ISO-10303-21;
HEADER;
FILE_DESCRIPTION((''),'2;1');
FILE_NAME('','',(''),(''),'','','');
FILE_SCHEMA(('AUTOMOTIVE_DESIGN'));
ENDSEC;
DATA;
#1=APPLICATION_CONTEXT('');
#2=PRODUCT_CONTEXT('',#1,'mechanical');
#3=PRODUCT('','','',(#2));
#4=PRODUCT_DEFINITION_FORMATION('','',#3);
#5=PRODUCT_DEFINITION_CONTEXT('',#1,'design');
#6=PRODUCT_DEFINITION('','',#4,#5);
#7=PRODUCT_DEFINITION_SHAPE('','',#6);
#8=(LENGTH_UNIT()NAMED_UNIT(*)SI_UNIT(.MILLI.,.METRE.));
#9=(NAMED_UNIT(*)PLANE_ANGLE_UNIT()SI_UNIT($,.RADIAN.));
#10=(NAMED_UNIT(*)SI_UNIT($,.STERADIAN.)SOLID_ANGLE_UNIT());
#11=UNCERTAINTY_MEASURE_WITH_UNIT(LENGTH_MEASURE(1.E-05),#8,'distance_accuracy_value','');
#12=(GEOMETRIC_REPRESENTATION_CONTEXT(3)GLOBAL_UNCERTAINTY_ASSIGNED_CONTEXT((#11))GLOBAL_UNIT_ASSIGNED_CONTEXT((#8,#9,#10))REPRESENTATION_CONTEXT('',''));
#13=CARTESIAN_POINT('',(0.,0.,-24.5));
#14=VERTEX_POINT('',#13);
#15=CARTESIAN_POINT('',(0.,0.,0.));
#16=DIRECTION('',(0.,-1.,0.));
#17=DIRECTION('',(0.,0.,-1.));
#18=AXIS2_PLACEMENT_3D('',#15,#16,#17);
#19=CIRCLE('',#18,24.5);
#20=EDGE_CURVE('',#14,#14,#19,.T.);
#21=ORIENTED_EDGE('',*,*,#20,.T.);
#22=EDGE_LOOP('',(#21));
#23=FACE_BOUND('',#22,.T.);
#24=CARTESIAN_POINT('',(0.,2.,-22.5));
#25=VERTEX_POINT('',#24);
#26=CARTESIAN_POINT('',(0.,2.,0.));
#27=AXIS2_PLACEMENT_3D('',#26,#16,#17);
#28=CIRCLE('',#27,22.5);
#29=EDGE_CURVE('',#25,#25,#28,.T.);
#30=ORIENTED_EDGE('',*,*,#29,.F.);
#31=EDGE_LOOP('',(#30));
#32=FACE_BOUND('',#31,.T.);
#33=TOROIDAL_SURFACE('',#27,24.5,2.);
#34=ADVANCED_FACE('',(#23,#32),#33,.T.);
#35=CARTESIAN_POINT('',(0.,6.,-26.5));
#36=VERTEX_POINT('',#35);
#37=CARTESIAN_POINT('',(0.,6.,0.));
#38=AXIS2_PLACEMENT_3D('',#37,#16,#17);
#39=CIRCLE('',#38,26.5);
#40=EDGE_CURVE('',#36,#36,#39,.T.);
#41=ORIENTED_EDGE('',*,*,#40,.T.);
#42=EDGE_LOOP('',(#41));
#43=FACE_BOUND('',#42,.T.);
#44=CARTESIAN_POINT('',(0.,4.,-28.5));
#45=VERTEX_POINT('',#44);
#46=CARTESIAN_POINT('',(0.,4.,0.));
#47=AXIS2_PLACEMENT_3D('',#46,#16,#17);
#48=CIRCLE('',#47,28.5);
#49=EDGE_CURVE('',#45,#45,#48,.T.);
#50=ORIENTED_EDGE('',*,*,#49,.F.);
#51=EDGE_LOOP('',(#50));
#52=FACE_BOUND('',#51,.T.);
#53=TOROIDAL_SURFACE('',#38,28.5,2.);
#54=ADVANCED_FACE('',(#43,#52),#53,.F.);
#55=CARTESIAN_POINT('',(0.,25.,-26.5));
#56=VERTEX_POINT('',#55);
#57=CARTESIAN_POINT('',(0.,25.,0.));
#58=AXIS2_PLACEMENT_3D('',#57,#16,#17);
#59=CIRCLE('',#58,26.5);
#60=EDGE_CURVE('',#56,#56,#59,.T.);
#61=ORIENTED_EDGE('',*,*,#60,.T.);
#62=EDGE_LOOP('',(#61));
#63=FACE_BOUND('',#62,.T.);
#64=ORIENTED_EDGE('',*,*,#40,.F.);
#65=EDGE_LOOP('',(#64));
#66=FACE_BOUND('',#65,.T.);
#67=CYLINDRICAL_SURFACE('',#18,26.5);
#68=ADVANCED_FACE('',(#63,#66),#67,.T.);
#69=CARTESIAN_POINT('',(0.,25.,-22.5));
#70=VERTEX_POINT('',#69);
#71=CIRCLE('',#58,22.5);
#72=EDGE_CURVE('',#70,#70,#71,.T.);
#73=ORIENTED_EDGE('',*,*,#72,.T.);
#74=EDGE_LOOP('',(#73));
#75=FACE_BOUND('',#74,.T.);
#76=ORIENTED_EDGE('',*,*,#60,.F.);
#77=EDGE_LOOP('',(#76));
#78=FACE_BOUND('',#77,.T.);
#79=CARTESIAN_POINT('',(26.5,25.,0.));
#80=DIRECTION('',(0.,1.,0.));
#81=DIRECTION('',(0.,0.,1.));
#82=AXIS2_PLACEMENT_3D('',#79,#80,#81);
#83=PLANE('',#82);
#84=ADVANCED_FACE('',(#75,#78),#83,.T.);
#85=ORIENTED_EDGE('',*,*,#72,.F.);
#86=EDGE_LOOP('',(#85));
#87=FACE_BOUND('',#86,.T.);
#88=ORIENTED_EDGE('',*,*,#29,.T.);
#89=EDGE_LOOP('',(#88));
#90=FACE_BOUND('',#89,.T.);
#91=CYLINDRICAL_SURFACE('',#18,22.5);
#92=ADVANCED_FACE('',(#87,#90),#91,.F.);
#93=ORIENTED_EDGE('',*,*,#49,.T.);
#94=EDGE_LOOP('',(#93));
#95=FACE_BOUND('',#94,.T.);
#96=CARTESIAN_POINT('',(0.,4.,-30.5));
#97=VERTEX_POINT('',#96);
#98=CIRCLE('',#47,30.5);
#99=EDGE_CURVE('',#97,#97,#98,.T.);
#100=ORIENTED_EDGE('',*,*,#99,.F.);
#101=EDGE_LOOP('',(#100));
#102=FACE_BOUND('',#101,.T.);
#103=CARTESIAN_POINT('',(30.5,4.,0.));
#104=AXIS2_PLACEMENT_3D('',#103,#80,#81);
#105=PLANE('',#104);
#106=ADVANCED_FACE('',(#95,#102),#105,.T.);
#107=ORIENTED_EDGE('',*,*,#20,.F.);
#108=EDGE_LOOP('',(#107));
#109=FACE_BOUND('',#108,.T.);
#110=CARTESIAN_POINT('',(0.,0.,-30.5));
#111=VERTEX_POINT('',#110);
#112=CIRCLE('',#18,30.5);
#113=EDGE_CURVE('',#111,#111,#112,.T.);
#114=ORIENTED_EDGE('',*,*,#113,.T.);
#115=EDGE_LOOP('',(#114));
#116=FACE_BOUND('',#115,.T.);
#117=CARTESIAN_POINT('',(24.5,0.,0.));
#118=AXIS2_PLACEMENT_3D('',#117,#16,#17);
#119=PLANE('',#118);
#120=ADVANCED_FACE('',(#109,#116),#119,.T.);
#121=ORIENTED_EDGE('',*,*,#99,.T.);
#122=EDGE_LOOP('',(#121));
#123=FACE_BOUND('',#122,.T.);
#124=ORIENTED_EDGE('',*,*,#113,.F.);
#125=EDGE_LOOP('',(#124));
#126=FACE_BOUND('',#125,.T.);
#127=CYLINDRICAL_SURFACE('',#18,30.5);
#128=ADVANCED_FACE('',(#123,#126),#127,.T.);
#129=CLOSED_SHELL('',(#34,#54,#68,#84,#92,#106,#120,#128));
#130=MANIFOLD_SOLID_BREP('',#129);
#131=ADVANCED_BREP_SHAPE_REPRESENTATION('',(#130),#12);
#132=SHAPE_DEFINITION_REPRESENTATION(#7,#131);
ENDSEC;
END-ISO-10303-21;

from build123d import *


with BuildPart() as part:
    # Sketch1 → Revolve1 (revolve)
    with BuildSketch(Plane.XY, mode=Mode.PRIVATE) as revolve1_sk:
        with BuildLine():
            Line((22.5, 25), (22.5, 2))
            ThreePointArc((22.5, 2), (23.085786438, 0.585786438), (24.5, 0))
            Line((24.5, 0), (30.5, 0))
            Line((30.5, 0), (30.5, 4))
            Line((30.5, 4), (28.5, 4))
            ThreePointArc((28.5, 4), (27.085786438, 4.585786438), (26.5, 6))
            Line((26.5, 6), (26.5, 25))
            Line((26.5, 25), (22.5, 25))
        make_face()
    revolve(revolve1_sk.sketch.rotate(Axis((0, 0, 0), (0, 1, 0)), 90), axis=Axis((0, 0, 0), (0, 1, 0)))


solid = part.part
